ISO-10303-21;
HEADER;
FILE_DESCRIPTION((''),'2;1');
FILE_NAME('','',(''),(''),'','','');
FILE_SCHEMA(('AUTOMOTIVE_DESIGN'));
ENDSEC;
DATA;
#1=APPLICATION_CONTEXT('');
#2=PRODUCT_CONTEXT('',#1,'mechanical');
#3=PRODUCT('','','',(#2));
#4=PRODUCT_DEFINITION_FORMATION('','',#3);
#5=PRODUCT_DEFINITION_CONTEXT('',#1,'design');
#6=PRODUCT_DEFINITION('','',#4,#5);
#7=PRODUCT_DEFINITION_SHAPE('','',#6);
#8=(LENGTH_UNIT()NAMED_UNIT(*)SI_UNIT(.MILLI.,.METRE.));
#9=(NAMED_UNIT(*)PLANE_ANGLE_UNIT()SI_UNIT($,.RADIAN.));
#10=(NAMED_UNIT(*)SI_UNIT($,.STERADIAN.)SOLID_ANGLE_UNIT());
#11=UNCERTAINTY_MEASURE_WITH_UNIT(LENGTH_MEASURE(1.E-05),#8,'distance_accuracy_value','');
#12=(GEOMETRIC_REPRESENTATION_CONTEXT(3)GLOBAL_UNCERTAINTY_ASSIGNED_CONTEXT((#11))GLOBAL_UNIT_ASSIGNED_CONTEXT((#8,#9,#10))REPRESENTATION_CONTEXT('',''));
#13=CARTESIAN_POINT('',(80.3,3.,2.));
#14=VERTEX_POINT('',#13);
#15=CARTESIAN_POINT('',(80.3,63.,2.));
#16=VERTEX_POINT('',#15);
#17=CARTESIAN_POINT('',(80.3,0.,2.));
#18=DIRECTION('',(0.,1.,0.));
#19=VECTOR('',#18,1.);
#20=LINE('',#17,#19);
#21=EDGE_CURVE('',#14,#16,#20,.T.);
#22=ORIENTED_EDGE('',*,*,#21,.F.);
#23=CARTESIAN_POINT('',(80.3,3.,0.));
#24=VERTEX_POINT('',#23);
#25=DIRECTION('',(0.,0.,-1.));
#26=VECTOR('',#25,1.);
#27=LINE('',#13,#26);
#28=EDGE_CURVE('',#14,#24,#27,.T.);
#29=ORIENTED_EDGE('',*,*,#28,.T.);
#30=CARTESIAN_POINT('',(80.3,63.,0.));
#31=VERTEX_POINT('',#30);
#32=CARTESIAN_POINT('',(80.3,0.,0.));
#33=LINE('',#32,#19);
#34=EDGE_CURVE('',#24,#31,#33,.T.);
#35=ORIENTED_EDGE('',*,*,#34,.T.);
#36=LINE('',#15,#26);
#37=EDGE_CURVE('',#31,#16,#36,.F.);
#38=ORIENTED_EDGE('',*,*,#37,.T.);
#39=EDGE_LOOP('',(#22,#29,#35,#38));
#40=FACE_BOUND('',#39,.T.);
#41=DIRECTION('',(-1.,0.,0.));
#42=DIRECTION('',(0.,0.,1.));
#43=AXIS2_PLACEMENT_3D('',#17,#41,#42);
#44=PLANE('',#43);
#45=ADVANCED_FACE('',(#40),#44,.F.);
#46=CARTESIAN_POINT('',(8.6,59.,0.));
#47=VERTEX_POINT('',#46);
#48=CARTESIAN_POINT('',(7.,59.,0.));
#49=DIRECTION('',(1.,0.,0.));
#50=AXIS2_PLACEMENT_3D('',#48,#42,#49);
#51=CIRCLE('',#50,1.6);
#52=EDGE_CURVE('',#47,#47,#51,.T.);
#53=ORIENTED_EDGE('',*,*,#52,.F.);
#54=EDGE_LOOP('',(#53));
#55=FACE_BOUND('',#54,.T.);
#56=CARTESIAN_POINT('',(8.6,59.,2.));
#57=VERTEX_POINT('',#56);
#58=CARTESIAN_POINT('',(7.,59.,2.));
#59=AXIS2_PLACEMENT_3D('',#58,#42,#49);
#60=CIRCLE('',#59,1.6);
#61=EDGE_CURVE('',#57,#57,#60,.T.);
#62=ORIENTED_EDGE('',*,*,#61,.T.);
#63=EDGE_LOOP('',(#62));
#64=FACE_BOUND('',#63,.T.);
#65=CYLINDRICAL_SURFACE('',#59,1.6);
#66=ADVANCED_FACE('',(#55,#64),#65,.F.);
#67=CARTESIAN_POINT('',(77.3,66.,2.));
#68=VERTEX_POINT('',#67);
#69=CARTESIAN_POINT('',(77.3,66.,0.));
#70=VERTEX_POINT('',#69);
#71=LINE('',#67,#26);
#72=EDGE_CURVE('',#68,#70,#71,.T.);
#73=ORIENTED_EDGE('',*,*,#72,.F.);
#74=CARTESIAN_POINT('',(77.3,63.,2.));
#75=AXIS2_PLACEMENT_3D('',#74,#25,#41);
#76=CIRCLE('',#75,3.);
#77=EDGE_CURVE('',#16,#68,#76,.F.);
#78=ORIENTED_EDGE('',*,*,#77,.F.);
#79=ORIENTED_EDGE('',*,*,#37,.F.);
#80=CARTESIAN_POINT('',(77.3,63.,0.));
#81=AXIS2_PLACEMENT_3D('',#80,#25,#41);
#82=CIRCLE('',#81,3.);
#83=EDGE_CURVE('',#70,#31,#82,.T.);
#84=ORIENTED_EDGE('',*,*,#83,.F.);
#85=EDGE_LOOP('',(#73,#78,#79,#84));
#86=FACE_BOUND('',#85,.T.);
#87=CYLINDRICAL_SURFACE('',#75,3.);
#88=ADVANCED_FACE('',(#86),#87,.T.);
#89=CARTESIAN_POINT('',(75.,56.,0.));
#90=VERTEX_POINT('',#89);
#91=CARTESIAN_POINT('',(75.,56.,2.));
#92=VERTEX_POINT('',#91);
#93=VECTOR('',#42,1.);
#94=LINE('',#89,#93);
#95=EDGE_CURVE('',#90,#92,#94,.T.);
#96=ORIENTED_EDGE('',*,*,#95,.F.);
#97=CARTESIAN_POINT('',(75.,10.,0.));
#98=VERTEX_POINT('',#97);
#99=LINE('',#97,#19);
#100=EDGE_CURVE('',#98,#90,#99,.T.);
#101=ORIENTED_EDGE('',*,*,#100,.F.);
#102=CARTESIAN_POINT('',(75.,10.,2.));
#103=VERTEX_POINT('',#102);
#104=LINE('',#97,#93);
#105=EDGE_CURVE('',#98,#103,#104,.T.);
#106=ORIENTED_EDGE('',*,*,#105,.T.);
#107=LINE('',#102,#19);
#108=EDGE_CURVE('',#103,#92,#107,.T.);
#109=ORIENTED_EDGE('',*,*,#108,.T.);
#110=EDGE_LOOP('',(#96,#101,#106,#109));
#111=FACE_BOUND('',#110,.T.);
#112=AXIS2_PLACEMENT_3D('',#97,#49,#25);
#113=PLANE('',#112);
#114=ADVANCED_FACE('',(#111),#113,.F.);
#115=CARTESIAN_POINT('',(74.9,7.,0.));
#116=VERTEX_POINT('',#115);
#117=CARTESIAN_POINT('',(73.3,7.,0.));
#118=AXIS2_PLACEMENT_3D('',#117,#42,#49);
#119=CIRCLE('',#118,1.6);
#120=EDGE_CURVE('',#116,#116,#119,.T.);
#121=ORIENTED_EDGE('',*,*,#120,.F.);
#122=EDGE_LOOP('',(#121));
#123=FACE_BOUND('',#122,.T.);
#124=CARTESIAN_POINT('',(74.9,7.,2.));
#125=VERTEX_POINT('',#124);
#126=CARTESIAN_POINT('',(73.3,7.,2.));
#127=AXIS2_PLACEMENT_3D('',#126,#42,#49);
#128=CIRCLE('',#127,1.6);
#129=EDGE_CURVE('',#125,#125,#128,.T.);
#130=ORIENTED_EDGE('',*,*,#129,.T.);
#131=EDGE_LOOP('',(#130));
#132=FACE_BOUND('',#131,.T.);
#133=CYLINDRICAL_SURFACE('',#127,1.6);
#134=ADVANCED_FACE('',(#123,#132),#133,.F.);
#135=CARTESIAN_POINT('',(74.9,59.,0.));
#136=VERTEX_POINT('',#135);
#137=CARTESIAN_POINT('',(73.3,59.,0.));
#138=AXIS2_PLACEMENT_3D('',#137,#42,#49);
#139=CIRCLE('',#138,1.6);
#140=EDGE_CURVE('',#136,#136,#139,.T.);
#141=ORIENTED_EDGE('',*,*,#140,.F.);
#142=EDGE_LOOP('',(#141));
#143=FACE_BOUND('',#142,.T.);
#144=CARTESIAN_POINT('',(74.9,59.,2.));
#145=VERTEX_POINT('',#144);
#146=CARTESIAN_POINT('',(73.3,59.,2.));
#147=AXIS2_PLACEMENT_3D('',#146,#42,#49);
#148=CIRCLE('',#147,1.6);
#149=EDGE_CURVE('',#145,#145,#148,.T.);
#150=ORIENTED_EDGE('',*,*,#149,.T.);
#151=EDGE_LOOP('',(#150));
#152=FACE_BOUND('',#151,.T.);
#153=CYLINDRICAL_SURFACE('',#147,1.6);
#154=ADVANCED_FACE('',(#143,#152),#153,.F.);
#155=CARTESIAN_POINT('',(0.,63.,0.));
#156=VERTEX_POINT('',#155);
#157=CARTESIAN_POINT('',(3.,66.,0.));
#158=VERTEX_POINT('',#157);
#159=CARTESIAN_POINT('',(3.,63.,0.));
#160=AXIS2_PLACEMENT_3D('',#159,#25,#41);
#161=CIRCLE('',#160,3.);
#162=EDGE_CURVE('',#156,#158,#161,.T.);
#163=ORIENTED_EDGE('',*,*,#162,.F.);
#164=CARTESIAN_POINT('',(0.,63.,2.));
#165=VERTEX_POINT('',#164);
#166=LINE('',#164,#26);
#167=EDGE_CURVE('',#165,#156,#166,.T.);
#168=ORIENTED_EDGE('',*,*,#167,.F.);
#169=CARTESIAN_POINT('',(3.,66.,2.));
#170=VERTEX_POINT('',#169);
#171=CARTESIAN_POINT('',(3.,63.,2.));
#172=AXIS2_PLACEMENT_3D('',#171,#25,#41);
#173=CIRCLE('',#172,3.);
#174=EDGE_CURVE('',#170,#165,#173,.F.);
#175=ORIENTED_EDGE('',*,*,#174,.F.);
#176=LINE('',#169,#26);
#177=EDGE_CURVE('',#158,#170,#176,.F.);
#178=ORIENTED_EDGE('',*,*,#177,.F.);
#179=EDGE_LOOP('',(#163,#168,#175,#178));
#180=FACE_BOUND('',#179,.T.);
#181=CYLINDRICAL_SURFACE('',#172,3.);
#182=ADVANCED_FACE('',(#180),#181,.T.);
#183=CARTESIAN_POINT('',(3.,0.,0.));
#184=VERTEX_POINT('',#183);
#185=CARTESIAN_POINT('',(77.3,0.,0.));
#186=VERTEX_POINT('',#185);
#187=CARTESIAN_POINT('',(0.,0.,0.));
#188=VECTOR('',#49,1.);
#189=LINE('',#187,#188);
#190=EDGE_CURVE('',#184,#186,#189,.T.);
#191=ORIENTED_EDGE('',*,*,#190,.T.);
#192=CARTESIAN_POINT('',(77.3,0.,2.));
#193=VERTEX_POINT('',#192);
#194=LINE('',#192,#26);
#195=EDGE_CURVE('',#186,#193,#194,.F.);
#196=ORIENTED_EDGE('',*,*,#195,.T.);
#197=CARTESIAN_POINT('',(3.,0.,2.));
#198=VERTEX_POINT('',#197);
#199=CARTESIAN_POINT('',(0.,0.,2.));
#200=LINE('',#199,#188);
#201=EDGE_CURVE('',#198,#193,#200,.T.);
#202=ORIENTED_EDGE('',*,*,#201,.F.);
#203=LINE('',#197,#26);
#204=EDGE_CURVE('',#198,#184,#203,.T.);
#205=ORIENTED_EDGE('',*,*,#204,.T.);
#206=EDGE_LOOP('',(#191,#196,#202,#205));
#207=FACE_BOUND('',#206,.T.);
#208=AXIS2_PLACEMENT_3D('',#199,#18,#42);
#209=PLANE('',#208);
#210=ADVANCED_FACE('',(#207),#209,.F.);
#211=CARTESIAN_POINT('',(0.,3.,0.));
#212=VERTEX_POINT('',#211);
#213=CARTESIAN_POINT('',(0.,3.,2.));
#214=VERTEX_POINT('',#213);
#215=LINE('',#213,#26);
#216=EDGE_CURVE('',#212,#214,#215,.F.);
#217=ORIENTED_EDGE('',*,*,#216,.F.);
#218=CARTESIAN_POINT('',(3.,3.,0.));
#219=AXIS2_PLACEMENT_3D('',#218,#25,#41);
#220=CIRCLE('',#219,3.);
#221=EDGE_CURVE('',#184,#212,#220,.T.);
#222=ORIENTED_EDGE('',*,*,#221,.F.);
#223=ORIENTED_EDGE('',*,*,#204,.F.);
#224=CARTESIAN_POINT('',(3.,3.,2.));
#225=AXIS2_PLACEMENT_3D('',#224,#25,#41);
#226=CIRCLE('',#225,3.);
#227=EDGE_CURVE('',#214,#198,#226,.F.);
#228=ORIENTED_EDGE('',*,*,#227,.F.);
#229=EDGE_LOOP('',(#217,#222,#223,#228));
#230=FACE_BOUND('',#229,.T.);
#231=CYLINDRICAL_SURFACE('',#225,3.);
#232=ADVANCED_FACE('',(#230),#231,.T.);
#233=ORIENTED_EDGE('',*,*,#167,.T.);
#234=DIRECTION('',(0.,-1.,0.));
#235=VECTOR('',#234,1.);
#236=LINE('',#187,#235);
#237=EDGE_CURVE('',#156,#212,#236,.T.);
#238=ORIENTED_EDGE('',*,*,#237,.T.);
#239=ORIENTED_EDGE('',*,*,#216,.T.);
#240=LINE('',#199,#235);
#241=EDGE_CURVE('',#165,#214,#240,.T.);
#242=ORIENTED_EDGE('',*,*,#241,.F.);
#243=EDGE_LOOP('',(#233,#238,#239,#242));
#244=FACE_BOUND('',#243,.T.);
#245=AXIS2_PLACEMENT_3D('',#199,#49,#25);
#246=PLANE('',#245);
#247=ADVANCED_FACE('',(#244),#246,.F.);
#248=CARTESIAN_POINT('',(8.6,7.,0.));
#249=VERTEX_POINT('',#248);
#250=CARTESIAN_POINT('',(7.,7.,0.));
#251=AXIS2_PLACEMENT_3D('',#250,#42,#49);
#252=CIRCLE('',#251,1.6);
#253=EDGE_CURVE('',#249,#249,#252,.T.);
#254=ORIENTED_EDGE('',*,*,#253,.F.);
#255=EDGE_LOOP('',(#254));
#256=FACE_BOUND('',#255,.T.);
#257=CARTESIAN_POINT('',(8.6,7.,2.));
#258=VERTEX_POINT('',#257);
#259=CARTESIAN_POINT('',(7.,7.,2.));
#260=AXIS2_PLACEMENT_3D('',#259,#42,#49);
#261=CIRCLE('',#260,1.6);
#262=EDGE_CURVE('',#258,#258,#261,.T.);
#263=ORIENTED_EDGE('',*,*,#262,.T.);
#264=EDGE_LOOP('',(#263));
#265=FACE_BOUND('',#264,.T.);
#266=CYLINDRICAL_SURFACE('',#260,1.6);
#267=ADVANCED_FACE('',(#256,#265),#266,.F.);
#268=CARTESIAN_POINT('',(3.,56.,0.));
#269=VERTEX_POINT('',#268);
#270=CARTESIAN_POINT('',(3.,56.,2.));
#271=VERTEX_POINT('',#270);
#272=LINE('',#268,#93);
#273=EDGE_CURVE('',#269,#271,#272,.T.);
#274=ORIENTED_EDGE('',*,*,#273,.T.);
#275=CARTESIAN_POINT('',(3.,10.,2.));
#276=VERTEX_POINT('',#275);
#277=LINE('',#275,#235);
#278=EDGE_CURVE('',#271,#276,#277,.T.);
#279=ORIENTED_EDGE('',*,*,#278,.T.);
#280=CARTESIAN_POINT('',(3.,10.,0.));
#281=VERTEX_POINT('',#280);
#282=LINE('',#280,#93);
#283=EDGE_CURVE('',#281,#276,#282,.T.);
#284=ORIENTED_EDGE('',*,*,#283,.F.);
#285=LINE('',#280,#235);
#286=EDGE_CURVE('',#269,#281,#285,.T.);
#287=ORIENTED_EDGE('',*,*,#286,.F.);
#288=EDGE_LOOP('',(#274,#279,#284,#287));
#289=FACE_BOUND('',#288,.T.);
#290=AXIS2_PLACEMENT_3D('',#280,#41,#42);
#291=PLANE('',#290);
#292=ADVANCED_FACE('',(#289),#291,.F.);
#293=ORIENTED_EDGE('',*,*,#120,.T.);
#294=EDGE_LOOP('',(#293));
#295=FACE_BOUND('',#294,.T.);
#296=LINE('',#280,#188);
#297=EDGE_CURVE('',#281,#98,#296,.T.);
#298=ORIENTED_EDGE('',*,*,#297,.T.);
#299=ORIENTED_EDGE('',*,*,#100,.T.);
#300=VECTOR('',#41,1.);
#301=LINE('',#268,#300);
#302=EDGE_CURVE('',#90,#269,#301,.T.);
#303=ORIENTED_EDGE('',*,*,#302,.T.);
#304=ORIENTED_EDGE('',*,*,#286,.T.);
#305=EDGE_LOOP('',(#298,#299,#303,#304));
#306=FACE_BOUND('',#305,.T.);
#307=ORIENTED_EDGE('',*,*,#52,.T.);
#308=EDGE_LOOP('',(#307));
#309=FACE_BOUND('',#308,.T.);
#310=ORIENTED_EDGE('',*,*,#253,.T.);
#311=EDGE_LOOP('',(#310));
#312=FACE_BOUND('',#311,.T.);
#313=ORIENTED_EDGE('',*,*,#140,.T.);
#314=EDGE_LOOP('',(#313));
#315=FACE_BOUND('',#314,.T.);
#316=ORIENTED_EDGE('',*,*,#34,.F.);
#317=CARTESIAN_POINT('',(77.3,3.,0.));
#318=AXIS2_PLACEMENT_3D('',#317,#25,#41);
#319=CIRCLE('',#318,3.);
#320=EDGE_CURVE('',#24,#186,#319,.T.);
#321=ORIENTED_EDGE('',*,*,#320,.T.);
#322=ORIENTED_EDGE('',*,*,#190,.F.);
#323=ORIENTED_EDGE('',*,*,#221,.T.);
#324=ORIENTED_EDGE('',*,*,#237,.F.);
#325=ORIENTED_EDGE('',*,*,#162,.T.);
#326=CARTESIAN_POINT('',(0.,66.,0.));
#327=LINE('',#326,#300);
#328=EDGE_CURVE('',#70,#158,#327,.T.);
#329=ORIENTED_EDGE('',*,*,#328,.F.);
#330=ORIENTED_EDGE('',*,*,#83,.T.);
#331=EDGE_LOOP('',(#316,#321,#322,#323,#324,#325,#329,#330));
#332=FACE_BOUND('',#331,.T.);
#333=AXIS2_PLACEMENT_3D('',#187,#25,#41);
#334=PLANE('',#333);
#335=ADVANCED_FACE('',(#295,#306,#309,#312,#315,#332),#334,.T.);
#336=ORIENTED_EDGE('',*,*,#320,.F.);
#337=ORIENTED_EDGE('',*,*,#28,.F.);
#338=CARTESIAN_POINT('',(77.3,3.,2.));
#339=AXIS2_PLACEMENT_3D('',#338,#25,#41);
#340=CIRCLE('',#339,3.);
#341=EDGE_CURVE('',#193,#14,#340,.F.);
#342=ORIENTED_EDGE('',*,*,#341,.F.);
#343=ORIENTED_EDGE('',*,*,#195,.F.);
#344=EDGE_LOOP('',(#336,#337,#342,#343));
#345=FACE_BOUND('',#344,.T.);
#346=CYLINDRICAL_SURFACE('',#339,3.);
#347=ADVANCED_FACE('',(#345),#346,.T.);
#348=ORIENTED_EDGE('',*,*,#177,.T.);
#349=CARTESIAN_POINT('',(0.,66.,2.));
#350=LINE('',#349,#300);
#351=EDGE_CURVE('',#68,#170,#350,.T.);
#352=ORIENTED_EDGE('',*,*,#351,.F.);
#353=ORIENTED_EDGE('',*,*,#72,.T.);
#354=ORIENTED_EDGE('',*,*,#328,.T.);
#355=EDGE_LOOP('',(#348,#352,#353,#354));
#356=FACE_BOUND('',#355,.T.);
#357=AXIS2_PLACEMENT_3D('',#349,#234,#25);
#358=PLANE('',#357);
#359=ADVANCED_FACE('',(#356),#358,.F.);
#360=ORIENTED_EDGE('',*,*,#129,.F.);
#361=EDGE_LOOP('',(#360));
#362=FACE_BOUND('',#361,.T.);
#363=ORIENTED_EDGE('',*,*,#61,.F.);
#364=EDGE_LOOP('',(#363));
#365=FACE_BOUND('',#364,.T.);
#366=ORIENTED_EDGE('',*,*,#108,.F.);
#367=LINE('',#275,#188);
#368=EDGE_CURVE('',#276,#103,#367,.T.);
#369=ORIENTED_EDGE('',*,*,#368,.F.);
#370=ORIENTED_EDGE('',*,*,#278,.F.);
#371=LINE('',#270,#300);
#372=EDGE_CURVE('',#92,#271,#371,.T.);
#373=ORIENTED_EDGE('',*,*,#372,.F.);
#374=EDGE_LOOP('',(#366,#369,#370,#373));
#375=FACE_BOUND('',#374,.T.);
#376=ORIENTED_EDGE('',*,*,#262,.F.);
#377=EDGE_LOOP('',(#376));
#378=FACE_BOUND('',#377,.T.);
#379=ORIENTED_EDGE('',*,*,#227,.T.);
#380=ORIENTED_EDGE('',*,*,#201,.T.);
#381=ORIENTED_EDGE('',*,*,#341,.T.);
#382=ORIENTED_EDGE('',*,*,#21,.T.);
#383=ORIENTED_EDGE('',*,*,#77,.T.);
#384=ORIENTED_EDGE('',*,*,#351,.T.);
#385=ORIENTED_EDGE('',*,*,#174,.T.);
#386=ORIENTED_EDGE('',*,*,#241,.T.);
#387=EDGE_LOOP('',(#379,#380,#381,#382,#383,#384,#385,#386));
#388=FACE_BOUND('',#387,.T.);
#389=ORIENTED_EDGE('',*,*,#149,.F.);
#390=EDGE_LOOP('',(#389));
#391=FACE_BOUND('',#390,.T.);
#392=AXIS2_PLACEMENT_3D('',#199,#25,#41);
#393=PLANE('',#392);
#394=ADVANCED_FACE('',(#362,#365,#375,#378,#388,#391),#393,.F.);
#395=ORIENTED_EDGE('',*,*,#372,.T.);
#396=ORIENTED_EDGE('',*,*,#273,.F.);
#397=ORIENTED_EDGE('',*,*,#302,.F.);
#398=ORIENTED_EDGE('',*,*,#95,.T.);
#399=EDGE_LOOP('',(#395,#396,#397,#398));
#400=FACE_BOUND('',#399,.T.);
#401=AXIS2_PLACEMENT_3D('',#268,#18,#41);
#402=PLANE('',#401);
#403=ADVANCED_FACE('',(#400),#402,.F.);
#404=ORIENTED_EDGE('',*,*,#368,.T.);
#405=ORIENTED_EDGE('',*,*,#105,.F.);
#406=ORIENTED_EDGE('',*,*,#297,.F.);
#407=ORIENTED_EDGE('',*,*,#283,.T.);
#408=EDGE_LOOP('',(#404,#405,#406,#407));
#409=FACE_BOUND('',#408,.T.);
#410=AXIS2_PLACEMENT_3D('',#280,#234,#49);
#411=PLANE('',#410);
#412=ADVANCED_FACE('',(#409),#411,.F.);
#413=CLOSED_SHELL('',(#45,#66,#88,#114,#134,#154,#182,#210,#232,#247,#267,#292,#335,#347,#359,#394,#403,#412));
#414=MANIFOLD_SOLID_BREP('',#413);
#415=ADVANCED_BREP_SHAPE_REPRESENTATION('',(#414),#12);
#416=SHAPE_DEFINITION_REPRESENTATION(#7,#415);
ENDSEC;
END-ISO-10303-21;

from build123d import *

# Parameters (mm, degrees)
SKETCH1_W                  = 80.3
SKETCH1_H                  = 66
BOSS_EXTRUDE1_DEPTH        = 2
F_3_2_3_2_DIAMETER_HOLE1_D = 3.2
FILLET1_R                  = 3
SKETCH4_W                  = 72
SKETCH4_H                  = 46
CUT_EXTRUDE1_DEPTH         = 3


with BuildPart() as part:
    # Sketch1 → Boss-Extrude1 (new body)
    with BuildSketch(Plane.XY):
        with Locations((40.15, 33)):
            Rectangle(SKETCH1_W, SKETCH1_H)
    extrude(amount=BOSS_EXTRUDE1_DEPTH)

    # Ø3.2 (3.2) Diameter Hole1 (through all)
    with Locations(Plane.XY.offset(2)):
        with Locations((7, 59), (73.3, 59), (73.3, 7), (7, 7)):
            Hole(F_3_2_3_2_DIAMETER_HOLE1_D / 2)

    # Fillet1
    fillet1_edges = [part.edges().sort_by_distance(p)[0] for p in [
        (0, 66, 1),
        (80.3, 66, 1),
        (80.3, 0, 1),
        (0, 0, 1),
    ]]
    fillet(fillet1_edges, radius=FILLET1_R)

    # Sketch4 → Cut-Extrude1 (cut, through all)
    with BuildSketch(Plane.XY.offset(2)):
        with Locations((39, 33)):
            Rectangle(SKETCH4_W, SKETCH4_H)
    extrude(amount=-CUT_EXTRUDE1_DEPTH, mode=Mode.SUBTRACT)


solid = part.part
